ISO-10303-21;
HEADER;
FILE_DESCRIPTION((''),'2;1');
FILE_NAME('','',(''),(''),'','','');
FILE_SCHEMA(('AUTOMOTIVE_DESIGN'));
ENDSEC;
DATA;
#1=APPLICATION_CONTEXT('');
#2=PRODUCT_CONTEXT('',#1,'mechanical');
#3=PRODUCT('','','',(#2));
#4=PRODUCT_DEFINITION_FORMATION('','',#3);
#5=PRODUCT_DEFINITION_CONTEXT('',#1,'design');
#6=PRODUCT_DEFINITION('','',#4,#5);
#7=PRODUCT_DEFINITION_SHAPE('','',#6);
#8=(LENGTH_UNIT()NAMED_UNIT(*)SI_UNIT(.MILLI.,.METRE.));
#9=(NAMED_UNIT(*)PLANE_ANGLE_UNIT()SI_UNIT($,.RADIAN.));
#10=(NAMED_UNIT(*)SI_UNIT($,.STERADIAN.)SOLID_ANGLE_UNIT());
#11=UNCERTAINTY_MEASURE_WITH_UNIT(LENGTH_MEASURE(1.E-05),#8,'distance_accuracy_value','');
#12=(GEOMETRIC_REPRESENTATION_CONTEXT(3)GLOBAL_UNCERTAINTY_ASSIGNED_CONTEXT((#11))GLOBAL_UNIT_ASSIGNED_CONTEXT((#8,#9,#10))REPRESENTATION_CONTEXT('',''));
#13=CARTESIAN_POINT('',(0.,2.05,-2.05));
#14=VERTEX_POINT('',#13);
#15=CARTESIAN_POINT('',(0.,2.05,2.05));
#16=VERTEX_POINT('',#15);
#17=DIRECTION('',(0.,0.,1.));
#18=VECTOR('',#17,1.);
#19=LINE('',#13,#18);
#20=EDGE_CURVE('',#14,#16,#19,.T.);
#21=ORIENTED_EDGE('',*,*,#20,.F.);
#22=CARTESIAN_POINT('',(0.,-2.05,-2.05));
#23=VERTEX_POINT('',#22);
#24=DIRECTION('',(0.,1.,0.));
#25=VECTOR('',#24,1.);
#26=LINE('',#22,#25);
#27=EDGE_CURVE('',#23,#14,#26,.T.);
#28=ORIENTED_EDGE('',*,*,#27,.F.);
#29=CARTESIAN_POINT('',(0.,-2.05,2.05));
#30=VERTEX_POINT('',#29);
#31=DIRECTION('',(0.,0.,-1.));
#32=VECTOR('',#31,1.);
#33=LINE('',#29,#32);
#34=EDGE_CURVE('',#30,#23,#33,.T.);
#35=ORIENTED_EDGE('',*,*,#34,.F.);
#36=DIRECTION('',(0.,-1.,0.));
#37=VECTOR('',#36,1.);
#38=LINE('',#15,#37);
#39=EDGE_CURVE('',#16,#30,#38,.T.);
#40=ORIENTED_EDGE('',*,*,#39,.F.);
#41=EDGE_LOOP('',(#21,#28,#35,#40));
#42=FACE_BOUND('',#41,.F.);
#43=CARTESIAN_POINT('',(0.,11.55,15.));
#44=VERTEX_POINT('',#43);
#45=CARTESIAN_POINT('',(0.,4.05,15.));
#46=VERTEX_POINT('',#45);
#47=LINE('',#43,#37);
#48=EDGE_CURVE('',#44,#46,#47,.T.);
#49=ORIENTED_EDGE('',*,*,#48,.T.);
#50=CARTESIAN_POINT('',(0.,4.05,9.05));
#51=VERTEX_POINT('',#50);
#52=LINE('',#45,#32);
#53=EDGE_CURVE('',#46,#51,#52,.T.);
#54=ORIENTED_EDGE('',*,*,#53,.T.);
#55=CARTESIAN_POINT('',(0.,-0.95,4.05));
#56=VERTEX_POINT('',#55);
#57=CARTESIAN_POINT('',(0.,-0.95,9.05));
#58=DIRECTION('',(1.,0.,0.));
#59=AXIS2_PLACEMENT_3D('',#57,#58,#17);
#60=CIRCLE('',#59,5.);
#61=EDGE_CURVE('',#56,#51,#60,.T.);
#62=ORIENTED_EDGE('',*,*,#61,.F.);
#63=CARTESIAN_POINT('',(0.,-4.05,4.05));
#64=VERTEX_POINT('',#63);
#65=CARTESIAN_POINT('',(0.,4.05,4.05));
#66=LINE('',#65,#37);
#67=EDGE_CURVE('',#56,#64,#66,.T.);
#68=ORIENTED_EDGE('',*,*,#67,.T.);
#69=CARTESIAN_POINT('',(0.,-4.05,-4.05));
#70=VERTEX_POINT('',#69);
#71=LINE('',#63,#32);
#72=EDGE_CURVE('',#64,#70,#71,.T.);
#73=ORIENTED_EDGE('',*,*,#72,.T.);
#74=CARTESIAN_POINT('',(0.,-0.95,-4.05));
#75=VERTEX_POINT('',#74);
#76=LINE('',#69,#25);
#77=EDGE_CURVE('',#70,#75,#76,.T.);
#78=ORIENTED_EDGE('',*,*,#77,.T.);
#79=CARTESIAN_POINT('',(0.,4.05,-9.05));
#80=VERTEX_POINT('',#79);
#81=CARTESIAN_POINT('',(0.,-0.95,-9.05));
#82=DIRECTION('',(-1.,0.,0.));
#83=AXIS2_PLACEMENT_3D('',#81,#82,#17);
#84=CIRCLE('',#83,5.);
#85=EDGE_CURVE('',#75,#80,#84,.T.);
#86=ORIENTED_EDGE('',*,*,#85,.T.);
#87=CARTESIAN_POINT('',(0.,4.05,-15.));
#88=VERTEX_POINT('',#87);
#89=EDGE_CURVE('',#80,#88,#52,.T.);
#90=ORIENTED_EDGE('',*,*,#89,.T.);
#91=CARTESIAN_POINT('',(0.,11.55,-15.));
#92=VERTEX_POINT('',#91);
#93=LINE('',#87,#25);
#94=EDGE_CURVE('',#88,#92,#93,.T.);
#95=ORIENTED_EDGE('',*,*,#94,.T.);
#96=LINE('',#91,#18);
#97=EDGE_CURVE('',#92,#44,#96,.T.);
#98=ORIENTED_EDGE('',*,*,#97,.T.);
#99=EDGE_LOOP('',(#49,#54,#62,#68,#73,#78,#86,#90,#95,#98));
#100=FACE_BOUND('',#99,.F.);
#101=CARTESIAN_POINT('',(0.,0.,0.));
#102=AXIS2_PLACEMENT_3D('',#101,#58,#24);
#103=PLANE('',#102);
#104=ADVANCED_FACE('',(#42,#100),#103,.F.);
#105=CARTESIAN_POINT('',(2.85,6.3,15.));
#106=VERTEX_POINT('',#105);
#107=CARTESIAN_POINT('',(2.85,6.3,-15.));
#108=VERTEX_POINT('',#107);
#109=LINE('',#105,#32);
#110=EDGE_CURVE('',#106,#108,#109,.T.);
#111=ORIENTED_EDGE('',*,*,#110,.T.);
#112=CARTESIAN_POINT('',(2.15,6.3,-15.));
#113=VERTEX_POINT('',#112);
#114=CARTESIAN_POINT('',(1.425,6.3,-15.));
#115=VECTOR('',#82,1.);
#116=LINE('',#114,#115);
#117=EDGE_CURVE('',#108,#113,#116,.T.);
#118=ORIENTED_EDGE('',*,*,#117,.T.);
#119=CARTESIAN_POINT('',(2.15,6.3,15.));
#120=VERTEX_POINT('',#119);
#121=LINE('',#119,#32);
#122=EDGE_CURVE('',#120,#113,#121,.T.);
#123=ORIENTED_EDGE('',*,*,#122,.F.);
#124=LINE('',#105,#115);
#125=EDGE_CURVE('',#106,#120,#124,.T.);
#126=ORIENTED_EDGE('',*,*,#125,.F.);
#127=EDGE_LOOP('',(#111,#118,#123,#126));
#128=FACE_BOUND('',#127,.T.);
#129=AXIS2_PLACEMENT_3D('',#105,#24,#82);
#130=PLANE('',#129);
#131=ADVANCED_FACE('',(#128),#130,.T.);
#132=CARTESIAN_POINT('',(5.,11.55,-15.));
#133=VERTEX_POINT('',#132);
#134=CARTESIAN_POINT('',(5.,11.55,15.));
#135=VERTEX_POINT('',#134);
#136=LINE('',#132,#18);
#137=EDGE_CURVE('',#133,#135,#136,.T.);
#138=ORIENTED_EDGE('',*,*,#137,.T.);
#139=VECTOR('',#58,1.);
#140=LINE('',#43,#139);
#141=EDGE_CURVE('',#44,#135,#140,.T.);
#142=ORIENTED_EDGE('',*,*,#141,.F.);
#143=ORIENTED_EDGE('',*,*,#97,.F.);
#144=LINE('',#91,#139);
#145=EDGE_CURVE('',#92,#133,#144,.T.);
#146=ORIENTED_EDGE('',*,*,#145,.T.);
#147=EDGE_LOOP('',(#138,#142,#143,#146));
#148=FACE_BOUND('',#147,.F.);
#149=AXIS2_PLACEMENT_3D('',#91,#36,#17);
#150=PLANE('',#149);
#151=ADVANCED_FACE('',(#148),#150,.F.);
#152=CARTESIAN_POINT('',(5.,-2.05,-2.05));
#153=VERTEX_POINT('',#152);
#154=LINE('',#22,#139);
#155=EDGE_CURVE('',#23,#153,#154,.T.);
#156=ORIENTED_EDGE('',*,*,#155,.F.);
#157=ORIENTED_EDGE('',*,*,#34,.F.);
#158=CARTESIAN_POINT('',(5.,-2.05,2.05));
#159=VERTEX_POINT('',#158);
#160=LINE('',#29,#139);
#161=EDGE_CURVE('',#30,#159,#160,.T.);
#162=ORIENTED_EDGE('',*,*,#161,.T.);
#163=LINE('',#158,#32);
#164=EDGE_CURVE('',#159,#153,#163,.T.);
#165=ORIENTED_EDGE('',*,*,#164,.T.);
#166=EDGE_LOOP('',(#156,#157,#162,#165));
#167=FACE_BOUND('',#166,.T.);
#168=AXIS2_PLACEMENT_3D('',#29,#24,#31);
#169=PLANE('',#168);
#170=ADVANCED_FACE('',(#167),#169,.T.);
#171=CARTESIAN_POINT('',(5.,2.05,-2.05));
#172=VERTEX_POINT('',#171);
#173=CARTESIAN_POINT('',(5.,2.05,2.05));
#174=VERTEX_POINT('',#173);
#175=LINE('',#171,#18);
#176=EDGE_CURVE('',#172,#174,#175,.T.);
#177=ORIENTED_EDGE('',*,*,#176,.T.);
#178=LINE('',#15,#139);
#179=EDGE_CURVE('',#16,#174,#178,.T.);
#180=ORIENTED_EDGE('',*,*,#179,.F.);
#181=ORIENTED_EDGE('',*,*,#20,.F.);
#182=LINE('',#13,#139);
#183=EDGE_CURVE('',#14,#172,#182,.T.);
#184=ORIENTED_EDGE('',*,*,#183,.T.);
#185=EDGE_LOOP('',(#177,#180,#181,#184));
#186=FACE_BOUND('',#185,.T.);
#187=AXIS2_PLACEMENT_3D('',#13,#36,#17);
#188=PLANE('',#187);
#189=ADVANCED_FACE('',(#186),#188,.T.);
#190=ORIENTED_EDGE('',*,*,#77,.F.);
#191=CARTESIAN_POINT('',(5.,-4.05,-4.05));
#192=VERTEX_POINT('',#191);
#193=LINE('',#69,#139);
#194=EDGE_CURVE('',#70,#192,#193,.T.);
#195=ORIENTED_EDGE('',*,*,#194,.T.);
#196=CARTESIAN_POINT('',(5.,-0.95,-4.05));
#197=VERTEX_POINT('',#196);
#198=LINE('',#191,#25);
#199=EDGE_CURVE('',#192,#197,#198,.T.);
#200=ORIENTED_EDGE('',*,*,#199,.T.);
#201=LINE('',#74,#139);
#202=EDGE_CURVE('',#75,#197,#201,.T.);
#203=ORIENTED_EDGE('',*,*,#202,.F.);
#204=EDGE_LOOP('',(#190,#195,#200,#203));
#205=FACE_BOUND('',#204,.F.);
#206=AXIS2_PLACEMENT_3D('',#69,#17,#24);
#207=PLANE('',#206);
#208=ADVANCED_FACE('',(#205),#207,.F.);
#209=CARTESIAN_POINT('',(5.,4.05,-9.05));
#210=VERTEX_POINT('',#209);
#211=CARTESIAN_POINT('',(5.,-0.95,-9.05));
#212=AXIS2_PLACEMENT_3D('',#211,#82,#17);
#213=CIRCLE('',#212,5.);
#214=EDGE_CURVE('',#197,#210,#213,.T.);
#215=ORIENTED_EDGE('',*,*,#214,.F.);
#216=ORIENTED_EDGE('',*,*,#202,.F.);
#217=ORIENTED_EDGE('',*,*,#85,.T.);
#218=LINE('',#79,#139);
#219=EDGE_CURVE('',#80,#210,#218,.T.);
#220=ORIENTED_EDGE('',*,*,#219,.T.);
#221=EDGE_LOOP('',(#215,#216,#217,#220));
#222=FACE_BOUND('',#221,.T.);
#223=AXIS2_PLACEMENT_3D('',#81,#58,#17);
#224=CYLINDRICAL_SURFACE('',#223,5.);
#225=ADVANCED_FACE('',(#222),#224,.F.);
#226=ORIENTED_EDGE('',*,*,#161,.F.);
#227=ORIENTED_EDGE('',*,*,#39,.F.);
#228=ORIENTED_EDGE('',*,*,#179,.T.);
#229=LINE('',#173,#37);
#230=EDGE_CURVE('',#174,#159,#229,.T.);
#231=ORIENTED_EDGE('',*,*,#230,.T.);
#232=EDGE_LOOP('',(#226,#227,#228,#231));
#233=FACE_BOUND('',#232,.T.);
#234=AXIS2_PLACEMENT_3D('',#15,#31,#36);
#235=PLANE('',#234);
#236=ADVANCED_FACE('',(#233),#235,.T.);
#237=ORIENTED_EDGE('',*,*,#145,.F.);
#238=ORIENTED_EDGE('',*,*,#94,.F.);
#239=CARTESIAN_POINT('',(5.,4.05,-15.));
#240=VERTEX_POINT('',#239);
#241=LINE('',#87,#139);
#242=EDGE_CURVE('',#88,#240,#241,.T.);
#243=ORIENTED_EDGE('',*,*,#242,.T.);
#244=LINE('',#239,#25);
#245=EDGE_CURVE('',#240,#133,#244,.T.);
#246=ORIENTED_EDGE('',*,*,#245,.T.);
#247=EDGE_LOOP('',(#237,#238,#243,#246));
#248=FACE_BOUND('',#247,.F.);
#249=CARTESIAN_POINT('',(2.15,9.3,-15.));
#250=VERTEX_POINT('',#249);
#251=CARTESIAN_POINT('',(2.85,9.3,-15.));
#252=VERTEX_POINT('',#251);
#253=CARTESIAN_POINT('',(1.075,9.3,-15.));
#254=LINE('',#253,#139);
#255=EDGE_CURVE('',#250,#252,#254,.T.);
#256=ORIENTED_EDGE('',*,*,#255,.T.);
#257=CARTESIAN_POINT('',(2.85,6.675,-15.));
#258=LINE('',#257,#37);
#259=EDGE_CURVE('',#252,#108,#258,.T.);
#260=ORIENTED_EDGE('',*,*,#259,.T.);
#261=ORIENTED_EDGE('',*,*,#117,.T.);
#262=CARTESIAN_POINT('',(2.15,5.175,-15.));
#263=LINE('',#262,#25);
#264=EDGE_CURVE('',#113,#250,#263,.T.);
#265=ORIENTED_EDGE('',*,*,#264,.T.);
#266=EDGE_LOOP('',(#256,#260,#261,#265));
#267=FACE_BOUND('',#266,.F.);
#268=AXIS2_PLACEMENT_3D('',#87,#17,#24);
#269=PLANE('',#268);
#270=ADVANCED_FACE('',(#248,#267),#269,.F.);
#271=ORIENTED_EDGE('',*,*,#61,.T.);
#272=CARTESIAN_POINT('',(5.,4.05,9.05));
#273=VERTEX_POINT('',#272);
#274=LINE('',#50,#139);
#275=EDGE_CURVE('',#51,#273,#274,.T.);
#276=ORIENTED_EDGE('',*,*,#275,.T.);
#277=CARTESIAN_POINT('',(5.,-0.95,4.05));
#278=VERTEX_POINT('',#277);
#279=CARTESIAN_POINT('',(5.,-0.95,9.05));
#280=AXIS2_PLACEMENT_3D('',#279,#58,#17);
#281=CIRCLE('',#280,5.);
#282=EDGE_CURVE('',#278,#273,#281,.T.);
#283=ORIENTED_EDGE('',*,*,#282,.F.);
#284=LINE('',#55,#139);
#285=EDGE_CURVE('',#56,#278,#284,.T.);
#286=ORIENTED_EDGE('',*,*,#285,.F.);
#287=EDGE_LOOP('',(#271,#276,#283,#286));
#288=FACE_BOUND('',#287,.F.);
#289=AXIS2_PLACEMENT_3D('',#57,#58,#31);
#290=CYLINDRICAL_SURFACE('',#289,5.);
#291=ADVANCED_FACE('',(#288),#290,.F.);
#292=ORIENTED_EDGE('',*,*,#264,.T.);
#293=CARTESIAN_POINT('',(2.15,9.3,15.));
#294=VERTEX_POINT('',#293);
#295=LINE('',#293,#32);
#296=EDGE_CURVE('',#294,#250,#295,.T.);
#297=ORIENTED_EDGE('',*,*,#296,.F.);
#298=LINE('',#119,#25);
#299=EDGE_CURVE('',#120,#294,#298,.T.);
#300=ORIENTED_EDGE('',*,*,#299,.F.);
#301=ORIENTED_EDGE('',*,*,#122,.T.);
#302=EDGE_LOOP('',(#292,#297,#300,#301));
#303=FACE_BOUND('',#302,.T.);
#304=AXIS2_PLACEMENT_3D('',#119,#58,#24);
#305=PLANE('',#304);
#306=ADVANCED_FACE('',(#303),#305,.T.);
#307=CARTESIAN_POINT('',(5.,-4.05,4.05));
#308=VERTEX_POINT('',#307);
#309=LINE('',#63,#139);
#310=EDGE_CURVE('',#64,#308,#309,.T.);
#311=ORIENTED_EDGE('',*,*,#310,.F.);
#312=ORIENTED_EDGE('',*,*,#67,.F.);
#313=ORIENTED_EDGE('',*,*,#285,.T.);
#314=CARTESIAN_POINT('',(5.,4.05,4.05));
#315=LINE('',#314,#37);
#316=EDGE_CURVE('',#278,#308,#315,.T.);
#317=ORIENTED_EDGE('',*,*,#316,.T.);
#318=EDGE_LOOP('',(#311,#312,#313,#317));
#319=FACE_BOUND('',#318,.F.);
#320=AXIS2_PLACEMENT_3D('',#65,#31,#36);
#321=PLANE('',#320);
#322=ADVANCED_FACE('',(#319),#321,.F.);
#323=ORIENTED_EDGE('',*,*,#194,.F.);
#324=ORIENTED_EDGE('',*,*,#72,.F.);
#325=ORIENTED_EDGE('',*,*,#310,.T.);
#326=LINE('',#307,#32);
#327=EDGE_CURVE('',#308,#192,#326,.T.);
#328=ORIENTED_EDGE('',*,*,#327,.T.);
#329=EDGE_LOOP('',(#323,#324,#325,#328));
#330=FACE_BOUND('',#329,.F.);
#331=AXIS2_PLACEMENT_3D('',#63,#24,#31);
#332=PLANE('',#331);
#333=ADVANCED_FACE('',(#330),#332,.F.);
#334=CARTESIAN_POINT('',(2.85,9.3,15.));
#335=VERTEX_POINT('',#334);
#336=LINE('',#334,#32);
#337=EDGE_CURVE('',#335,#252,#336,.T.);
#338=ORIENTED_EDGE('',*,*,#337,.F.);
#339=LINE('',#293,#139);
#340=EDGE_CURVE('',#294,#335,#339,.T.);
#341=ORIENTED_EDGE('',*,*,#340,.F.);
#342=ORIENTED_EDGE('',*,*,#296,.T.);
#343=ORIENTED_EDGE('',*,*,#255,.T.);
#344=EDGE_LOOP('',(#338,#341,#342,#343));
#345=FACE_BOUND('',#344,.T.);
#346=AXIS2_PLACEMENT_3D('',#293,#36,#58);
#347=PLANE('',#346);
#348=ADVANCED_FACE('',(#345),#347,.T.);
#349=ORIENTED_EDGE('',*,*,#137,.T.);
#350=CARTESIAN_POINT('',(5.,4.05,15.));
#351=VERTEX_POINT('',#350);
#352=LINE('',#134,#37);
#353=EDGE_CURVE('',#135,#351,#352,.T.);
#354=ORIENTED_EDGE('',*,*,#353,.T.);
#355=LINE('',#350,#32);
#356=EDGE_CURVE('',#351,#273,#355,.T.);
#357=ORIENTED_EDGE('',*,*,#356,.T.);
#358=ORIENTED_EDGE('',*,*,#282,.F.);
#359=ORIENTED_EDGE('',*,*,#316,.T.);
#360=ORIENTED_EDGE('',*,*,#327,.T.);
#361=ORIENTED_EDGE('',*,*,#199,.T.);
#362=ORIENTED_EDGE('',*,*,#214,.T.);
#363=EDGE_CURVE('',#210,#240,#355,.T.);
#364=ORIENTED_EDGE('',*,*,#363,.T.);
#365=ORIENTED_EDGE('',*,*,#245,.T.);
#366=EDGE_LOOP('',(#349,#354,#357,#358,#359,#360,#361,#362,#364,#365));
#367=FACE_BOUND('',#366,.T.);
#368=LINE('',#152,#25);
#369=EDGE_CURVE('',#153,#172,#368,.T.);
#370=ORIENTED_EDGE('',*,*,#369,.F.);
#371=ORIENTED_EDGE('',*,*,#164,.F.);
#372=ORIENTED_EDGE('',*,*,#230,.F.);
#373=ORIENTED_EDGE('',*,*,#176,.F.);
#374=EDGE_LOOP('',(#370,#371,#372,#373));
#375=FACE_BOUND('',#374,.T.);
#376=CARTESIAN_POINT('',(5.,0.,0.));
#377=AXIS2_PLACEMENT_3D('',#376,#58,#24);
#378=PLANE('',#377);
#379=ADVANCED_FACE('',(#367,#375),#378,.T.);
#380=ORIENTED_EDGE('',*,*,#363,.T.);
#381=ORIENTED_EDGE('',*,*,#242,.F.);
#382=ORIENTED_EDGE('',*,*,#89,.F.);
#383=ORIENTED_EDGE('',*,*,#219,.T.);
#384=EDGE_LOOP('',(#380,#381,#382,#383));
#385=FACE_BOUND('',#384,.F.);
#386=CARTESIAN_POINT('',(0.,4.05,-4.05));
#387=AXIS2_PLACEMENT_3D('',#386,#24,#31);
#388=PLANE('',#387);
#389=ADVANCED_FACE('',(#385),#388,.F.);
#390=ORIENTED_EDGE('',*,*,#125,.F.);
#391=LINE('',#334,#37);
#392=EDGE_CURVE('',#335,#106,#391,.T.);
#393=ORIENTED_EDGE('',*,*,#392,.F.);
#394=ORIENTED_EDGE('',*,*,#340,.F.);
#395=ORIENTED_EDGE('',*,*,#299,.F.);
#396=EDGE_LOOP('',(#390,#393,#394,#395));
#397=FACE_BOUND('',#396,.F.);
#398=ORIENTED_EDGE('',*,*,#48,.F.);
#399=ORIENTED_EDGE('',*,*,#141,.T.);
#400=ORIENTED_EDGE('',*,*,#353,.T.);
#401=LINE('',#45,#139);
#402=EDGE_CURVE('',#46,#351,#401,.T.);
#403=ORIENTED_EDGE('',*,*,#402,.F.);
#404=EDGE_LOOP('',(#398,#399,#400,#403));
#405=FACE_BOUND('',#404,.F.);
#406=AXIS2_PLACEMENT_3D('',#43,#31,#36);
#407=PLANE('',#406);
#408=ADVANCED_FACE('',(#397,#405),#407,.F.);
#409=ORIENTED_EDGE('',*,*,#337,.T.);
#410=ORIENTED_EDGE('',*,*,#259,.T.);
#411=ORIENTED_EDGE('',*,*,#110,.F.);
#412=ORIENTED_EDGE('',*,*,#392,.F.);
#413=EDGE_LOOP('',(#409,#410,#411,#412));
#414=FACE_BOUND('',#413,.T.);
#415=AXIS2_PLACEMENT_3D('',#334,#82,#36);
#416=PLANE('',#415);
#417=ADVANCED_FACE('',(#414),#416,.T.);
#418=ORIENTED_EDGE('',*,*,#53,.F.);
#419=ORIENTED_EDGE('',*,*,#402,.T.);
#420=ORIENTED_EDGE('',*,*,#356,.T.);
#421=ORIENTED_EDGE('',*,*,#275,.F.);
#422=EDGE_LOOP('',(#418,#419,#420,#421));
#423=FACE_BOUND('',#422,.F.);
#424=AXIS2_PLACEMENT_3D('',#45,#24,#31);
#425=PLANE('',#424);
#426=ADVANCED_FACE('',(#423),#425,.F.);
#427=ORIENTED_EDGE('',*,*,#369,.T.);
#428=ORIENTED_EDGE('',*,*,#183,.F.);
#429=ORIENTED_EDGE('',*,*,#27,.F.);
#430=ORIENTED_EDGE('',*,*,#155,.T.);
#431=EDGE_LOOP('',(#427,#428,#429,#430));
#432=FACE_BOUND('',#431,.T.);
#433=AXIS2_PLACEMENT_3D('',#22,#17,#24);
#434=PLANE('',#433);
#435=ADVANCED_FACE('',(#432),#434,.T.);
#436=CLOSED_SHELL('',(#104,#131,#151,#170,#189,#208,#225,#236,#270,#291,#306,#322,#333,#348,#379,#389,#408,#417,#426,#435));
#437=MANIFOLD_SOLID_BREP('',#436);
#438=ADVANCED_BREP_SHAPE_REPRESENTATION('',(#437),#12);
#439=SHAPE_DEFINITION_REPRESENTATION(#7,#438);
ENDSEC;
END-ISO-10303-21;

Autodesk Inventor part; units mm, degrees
ref_plane "YZ Plane" through (0, 0, 0) normal (1, 0, 0) x (0, 1, 0)
ref_plane "XZ Plane" through (0, 0, 0) normal (0, 1, 0) x (-1, 0, 0)
ref_plane "XY Plane" through (0, 0, 0) normal (0, 0, 1) x (1, 0, 0)
sketch "Sketch1" plane through (0, 0, 0) normal (1, 0, 0) x (0, 1, 0)
  line L0 (4.05, 4.05) -> (-4.05, 4.05)
  line L1 (-4.05, 4.05) -> (-4.05, -4.05)
  line L2 (-4.05, -4.05) -> (4.05, -4.05)
  line L3 (4.05, -4.05) -> (4.05, 4.05)
  line L4 (11.55, 15) -> (4.05, 15)
  line L5 (4.05, 15) -> (4.05, -15)
  line L6 (4.05, -15) -> (11.55, -15)
  line L7 (11.55, -15) -> (11.55, 15)
  line L8 (4.05, 4.05) -> (-4.05, -4.05) construction
  line L9 (4.05, -4.05) -> (-4.05, 4.05) construction
  line L10 (2.05, 2.05) -> (-2.05, 2.05)
  line L11 (-2.05, 2.05) -> (-2.05, -2.05)
  line L12 (-2.05, -2.05) -> (2.05, -2.05)
  line L13 (2.05, -2.05) -> (2.05, 2.05)
  line L14 (2.05, 2.05) -> (-2.05, -2.05) construction
  line L15 (-2.05, 2.05) -> (2.05, -2.05) construction
  point P0 (4.05, 4.05)
  point P1 (0, 0)
  point P2 (0, 0)
  point P3 (0, 0)
  dimension "d0" = 8.1
  dimension "d3" = 8.1
  dimension "d22" = 10.95
  dimension "d24" = 30
  dimension "d25" = 7.5
  dimension "d55" = 10.95
  dimension "d65" = 4.1
  dimension "d66" = 4.1
extrude "Extrusion1" add sketch "Sketch1" along normal blind 5
sketch "Sketch5" plane through (0, 4.05, 15) normal (0, 0, 1) x (1, 0, 0)
  line L0 (2.15, 5.25) -> (2.85, 5.25)
  line L1 (2.85, 5.25) -> (2.85, 2.25)
  line L2 (2.85, 2.25) -> (2.15, 2.25)
  line L3 (2.15, 2.25) -> (2.15, 5.25)
  line L4 (0, 0) -> (5, 0) projected
  line L5 (0, 7.5) -> (0, 0) projected
  point P0 (0, -4.05)
  dimension "d86" = 3
  dimension "d87" = 0.7
  dimension "d88" = 2.25
  dimension "d89" = 2.15
extrude "Extrusion4" cut sketch "Sketch5" against normal through all
fillet "Fillet3" radius 5 2 edges at (2.5, 4.05, 4.05) (2.5, 4.05, -4.05)
equation "\"d3\" = d0"
equation "\"d22\" = d55"
properties part number "fuselage_wing_interface_2" material "ABS Plastic"
